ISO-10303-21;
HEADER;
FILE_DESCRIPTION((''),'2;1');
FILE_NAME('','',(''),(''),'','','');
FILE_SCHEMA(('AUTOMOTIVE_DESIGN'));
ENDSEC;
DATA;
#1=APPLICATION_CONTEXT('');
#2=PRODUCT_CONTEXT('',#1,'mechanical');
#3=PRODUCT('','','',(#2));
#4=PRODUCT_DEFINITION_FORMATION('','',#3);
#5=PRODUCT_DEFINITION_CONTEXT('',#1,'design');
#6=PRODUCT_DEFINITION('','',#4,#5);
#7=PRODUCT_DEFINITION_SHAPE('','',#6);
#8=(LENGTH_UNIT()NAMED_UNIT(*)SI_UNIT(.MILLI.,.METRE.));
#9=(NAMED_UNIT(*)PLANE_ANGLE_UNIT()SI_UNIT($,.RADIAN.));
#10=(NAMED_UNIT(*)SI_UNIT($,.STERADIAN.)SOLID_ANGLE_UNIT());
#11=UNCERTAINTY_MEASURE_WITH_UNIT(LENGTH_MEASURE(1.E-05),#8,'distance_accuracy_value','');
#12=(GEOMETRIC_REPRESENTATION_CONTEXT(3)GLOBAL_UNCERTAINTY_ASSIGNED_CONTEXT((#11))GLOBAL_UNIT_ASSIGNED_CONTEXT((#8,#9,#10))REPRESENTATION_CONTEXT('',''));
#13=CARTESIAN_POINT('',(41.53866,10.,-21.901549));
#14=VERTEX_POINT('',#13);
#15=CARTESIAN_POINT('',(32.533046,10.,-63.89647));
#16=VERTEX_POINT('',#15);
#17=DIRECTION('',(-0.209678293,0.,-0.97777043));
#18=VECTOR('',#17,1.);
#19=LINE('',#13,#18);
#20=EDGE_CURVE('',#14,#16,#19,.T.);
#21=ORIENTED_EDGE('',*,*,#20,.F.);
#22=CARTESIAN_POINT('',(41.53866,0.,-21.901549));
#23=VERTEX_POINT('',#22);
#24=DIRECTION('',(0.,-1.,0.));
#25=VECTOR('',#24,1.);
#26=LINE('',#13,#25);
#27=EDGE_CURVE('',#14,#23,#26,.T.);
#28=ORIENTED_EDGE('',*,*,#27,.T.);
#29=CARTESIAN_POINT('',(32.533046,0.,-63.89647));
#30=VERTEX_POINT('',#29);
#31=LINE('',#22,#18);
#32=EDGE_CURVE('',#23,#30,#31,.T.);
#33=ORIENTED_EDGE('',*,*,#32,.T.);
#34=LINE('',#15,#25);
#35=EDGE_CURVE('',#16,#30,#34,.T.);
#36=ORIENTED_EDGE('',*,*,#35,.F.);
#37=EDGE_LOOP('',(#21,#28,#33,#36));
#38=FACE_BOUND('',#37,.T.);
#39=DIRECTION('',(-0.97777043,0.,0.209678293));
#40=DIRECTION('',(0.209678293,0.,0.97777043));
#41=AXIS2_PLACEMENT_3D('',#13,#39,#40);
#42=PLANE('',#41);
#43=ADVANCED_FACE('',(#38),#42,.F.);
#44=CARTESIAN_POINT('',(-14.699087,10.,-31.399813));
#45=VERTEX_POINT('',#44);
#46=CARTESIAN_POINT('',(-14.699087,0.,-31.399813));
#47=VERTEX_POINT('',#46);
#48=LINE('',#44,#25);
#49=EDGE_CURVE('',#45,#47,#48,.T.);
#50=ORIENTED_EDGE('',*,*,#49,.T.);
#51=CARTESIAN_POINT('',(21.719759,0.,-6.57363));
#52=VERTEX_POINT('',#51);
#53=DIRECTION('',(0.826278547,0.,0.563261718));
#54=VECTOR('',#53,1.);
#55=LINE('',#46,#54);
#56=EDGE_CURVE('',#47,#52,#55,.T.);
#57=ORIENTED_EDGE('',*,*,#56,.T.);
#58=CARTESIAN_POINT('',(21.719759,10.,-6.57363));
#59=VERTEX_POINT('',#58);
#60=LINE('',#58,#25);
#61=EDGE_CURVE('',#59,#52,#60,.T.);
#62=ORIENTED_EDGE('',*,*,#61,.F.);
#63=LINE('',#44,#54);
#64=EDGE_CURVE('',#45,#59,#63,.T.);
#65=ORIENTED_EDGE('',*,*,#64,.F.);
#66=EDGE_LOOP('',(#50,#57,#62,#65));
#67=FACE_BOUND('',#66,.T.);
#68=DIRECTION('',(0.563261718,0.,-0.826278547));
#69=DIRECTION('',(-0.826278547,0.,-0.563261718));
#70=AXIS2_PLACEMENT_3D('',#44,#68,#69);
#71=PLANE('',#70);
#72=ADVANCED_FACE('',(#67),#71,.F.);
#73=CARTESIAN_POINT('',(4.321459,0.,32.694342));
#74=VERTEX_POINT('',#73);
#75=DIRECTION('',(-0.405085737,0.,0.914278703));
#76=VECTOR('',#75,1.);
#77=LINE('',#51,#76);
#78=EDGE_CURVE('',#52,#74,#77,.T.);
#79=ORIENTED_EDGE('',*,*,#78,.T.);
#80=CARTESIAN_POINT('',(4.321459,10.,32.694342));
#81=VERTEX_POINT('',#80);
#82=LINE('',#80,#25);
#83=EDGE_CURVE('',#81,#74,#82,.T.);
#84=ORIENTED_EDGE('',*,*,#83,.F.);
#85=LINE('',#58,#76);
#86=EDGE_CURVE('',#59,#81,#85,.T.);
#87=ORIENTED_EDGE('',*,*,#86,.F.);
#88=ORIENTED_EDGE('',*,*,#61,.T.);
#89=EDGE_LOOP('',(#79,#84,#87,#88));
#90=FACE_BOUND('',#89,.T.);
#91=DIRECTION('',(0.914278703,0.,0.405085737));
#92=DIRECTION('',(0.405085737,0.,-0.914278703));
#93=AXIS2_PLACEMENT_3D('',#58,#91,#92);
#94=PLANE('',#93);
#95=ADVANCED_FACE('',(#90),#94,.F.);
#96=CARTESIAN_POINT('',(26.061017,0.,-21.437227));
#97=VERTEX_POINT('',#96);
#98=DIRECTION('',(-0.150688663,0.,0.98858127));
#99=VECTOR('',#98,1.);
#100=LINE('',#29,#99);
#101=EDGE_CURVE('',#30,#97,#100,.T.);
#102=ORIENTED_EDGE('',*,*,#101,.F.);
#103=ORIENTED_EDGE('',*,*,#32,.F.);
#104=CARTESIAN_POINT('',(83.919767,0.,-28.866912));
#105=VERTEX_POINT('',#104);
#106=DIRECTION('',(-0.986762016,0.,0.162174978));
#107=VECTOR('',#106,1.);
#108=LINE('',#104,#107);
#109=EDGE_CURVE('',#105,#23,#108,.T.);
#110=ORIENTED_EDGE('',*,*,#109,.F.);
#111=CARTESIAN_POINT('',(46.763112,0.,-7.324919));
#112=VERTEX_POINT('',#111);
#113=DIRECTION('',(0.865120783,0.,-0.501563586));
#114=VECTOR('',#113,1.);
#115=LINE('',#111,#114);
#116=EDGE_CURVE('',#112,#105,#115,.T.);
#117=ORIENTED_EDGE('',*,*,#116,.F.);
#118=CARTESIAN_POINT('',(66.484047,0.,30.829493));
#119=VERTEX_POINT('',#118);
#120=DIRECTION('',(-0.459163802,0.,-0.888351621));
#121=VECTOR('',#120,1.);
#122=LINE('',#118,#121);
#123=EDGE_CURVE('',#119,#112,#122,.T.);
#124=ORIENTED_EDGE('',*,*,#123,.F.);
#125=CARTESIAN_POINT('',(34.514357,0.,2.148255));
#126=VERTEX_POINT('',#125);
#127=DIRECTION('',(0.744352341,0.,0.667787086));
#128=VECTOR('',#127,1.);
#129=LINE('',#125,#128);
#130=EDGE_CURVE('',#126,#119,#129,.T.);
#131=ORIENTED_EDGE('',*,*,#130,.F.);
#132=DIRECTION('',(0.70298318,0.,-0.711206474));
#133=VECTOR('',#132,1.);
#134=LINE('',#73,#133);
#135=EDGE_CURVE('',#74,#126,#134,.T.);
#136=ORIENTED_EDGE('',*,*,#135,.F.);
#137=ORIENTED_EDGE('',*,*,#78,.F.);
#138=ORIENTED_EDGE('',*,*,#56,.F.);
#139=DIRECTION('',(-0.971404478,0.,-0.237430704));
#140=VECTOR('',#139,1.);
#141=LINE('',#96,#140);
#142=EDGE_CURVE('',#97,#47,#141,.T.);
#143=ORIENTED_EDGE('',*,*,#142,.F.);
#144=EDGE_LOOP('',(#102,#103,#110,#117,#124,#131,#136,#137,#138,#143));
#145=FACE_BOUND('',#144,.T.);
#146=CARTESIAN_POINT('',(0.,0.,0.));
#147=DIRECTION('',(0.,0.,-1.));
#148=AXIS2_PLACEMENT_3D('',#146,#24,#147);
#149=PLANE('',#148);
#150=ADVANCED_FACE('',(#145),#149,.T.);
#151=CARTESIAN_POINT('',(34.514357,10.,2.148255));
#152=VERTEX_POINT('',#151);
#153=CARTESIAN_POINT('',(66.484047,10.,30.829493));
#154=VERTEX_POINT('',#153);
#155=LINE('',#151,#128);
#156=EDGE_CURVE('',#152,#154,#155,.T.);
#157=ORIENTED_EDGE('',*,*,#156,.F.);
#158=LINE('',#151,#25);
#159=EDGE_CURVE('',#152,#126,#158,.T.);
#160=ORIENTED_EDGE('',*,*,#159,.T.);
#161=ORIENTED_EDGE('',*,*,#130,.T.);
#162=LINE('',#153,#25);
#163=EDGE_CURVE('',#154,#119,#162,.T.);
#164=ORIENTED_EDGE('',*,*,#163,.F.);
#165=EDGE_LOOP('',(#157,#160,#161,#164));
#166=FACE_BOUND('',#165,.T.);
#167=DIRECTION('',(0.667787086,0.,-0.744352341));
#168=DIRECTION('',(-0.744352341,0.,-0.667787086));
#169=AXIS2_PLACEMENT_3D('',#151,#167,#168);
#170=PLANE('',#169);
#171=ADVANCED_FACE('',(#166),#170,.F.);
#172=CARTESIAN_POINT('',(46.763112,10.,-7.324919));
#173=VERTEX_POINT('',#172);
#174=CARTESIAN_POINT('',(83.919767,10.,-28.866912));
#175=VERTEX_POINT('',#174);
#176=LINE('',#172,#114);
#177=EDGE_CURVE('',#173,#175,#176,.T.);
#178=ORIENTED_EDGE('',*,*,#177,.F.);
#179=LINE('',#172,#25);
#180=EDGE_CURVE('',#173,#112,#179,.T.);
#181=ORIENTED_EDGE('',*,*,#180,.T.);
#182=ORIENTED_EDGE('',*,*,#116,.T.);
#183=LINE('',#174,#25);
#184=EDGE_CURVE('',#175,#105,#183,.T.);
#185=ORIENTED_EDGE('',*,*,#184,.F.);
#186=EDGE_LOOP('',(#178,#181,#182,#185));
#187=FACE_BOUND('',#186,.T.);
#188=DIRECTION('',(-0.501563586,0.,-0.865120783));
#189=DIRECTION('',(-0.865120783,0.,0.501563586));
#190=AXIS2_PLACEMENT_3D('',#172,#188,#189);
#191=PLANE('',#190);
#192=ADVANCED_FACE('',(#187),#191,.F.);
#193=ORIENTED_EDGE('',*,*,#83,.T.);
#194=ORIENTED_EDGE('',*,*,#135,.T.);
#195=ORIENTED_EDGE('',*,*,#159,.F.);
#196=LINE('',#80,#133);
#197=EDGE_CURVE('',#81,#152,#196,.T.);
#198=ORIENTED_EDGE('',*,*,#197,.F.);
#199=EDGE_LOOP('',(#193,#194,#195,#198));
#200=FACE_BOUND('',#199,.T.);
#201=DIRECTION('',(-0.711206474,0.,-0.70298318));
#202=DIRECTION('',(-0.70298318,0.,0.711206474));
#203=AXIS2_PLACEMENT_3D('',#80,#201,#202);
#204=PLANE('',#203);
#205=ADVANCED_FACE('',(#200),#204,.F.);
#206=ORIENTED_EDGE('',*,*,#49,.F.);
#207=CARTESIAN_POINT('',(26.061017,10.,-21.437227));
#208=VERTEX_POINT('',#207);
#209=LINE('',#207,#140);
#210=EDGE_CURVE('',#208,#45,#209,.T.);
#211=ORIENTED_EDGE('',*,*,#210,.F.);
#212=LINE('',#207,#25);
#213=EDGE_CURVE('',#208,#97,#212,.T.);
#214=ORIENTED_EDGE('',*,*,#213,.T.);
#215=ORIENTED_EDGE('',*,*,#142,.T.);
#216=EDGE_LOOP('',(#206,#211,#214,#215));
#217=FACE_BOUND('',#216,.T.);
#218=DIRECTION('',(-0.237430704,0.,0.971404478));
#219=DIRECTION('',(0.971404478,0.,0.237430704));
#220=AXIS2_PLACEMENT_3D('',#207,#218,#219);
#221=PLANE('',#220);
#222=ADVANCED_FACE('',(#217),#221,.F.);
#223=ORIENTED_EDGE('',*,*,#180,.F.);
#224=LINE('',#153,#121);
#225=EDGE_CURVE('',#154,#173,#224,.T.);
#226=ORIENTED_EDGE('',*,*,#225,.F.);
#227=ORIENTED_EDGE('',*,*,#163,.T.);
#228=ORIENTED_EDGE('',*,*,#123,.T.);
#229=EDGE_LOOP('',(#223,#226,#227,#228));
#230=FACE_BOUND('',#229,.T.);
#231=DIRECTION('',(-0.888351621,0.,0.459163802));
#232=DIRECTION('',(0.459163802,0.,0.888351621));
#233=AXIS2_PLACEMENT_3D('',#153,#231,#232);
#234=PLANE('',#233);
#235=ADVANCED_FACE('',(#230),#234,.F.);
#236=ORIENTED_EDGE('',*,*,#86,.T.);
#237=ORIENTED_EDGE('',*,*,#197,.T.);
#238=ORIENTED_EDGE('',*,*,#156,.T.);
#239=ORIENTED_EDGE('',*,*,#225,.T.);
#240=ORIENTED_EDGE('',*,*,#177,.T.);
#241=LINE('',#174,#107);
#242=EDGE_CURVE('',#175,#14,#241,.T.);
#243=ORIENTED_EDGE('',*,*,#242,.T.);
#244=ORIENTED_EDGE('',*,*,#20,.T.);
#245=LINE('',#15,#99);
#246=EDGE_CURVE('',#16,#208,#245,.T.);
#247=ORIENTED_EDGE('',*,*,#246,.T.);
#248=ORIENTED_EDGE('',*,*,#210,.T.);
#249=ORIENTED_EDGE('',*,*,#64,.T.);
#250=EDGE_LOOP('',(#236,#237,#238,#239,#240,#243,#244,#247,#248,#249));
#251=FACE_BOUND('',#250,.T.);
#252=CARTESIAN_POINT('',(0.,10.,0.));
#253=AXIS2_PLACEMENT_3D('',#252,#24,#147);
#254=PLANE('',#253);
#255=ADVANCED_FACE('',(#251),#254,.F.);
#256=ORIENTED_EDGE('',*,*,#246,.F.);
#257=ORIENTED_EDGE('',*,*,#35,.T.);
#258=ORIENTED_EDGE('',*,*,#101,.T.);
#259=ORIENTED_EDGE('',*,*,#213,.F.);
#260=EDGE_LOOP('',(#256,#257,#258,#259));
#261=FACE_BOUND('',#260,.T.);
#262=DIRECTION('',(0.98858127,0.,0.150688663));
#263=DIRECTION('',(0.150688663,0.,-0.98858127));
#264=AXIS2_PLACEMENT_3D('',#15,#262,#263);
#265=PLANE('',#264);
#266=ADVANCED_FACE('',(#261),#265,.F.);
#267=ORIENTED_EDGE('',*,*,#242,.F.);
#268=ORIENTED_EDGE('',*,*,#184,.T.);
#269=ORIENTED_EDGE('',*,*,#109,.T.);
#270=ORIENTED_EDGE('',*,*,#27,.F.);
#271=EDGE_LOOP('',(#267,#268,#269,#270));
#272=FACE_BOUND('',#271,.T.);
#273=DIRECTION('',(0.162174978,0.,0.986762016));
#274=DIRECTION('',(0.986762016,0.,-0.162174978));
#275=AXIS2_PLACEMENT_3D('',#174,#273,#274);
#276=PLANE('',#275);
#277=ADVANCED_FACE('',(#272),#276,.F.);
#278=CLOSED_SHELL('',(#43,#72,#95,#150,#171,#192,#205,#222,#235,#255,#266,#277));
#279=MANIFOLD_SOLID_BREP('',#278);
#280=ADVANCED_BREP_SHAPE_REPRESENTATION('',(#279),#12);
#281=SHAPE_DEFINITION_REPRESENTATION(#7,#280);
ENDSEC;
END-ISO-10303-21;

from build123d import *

# Parameters (mm, degrees)
EXTRUDE_1_DEPTH = 10


with BuildPart() as part:
    # 草图1 → 凸台-拉伸1 (new body)
    with BuildSketch(Plane(origin=(0, 0, 0), x_dir=(1, 0, 0), z_dir=(0, 1, 0))):
        Polygon((32.533046209, 63.896470419), (26.0610173, 21.437227307), (-14.699087368, 31.399813008), (21.71975903, 6.573630489), (4.321458755, -32.694341593), (34.514357056, -2.148255491), (66.484047328, -30.829493048), (46.763111779, 7.324919343), (83.919767251, 28.866911776), (41.538660491, 21.901549354), align=None)
    extrude(amount=EXTRUDE_1_DEPTH)


solid = part.part
